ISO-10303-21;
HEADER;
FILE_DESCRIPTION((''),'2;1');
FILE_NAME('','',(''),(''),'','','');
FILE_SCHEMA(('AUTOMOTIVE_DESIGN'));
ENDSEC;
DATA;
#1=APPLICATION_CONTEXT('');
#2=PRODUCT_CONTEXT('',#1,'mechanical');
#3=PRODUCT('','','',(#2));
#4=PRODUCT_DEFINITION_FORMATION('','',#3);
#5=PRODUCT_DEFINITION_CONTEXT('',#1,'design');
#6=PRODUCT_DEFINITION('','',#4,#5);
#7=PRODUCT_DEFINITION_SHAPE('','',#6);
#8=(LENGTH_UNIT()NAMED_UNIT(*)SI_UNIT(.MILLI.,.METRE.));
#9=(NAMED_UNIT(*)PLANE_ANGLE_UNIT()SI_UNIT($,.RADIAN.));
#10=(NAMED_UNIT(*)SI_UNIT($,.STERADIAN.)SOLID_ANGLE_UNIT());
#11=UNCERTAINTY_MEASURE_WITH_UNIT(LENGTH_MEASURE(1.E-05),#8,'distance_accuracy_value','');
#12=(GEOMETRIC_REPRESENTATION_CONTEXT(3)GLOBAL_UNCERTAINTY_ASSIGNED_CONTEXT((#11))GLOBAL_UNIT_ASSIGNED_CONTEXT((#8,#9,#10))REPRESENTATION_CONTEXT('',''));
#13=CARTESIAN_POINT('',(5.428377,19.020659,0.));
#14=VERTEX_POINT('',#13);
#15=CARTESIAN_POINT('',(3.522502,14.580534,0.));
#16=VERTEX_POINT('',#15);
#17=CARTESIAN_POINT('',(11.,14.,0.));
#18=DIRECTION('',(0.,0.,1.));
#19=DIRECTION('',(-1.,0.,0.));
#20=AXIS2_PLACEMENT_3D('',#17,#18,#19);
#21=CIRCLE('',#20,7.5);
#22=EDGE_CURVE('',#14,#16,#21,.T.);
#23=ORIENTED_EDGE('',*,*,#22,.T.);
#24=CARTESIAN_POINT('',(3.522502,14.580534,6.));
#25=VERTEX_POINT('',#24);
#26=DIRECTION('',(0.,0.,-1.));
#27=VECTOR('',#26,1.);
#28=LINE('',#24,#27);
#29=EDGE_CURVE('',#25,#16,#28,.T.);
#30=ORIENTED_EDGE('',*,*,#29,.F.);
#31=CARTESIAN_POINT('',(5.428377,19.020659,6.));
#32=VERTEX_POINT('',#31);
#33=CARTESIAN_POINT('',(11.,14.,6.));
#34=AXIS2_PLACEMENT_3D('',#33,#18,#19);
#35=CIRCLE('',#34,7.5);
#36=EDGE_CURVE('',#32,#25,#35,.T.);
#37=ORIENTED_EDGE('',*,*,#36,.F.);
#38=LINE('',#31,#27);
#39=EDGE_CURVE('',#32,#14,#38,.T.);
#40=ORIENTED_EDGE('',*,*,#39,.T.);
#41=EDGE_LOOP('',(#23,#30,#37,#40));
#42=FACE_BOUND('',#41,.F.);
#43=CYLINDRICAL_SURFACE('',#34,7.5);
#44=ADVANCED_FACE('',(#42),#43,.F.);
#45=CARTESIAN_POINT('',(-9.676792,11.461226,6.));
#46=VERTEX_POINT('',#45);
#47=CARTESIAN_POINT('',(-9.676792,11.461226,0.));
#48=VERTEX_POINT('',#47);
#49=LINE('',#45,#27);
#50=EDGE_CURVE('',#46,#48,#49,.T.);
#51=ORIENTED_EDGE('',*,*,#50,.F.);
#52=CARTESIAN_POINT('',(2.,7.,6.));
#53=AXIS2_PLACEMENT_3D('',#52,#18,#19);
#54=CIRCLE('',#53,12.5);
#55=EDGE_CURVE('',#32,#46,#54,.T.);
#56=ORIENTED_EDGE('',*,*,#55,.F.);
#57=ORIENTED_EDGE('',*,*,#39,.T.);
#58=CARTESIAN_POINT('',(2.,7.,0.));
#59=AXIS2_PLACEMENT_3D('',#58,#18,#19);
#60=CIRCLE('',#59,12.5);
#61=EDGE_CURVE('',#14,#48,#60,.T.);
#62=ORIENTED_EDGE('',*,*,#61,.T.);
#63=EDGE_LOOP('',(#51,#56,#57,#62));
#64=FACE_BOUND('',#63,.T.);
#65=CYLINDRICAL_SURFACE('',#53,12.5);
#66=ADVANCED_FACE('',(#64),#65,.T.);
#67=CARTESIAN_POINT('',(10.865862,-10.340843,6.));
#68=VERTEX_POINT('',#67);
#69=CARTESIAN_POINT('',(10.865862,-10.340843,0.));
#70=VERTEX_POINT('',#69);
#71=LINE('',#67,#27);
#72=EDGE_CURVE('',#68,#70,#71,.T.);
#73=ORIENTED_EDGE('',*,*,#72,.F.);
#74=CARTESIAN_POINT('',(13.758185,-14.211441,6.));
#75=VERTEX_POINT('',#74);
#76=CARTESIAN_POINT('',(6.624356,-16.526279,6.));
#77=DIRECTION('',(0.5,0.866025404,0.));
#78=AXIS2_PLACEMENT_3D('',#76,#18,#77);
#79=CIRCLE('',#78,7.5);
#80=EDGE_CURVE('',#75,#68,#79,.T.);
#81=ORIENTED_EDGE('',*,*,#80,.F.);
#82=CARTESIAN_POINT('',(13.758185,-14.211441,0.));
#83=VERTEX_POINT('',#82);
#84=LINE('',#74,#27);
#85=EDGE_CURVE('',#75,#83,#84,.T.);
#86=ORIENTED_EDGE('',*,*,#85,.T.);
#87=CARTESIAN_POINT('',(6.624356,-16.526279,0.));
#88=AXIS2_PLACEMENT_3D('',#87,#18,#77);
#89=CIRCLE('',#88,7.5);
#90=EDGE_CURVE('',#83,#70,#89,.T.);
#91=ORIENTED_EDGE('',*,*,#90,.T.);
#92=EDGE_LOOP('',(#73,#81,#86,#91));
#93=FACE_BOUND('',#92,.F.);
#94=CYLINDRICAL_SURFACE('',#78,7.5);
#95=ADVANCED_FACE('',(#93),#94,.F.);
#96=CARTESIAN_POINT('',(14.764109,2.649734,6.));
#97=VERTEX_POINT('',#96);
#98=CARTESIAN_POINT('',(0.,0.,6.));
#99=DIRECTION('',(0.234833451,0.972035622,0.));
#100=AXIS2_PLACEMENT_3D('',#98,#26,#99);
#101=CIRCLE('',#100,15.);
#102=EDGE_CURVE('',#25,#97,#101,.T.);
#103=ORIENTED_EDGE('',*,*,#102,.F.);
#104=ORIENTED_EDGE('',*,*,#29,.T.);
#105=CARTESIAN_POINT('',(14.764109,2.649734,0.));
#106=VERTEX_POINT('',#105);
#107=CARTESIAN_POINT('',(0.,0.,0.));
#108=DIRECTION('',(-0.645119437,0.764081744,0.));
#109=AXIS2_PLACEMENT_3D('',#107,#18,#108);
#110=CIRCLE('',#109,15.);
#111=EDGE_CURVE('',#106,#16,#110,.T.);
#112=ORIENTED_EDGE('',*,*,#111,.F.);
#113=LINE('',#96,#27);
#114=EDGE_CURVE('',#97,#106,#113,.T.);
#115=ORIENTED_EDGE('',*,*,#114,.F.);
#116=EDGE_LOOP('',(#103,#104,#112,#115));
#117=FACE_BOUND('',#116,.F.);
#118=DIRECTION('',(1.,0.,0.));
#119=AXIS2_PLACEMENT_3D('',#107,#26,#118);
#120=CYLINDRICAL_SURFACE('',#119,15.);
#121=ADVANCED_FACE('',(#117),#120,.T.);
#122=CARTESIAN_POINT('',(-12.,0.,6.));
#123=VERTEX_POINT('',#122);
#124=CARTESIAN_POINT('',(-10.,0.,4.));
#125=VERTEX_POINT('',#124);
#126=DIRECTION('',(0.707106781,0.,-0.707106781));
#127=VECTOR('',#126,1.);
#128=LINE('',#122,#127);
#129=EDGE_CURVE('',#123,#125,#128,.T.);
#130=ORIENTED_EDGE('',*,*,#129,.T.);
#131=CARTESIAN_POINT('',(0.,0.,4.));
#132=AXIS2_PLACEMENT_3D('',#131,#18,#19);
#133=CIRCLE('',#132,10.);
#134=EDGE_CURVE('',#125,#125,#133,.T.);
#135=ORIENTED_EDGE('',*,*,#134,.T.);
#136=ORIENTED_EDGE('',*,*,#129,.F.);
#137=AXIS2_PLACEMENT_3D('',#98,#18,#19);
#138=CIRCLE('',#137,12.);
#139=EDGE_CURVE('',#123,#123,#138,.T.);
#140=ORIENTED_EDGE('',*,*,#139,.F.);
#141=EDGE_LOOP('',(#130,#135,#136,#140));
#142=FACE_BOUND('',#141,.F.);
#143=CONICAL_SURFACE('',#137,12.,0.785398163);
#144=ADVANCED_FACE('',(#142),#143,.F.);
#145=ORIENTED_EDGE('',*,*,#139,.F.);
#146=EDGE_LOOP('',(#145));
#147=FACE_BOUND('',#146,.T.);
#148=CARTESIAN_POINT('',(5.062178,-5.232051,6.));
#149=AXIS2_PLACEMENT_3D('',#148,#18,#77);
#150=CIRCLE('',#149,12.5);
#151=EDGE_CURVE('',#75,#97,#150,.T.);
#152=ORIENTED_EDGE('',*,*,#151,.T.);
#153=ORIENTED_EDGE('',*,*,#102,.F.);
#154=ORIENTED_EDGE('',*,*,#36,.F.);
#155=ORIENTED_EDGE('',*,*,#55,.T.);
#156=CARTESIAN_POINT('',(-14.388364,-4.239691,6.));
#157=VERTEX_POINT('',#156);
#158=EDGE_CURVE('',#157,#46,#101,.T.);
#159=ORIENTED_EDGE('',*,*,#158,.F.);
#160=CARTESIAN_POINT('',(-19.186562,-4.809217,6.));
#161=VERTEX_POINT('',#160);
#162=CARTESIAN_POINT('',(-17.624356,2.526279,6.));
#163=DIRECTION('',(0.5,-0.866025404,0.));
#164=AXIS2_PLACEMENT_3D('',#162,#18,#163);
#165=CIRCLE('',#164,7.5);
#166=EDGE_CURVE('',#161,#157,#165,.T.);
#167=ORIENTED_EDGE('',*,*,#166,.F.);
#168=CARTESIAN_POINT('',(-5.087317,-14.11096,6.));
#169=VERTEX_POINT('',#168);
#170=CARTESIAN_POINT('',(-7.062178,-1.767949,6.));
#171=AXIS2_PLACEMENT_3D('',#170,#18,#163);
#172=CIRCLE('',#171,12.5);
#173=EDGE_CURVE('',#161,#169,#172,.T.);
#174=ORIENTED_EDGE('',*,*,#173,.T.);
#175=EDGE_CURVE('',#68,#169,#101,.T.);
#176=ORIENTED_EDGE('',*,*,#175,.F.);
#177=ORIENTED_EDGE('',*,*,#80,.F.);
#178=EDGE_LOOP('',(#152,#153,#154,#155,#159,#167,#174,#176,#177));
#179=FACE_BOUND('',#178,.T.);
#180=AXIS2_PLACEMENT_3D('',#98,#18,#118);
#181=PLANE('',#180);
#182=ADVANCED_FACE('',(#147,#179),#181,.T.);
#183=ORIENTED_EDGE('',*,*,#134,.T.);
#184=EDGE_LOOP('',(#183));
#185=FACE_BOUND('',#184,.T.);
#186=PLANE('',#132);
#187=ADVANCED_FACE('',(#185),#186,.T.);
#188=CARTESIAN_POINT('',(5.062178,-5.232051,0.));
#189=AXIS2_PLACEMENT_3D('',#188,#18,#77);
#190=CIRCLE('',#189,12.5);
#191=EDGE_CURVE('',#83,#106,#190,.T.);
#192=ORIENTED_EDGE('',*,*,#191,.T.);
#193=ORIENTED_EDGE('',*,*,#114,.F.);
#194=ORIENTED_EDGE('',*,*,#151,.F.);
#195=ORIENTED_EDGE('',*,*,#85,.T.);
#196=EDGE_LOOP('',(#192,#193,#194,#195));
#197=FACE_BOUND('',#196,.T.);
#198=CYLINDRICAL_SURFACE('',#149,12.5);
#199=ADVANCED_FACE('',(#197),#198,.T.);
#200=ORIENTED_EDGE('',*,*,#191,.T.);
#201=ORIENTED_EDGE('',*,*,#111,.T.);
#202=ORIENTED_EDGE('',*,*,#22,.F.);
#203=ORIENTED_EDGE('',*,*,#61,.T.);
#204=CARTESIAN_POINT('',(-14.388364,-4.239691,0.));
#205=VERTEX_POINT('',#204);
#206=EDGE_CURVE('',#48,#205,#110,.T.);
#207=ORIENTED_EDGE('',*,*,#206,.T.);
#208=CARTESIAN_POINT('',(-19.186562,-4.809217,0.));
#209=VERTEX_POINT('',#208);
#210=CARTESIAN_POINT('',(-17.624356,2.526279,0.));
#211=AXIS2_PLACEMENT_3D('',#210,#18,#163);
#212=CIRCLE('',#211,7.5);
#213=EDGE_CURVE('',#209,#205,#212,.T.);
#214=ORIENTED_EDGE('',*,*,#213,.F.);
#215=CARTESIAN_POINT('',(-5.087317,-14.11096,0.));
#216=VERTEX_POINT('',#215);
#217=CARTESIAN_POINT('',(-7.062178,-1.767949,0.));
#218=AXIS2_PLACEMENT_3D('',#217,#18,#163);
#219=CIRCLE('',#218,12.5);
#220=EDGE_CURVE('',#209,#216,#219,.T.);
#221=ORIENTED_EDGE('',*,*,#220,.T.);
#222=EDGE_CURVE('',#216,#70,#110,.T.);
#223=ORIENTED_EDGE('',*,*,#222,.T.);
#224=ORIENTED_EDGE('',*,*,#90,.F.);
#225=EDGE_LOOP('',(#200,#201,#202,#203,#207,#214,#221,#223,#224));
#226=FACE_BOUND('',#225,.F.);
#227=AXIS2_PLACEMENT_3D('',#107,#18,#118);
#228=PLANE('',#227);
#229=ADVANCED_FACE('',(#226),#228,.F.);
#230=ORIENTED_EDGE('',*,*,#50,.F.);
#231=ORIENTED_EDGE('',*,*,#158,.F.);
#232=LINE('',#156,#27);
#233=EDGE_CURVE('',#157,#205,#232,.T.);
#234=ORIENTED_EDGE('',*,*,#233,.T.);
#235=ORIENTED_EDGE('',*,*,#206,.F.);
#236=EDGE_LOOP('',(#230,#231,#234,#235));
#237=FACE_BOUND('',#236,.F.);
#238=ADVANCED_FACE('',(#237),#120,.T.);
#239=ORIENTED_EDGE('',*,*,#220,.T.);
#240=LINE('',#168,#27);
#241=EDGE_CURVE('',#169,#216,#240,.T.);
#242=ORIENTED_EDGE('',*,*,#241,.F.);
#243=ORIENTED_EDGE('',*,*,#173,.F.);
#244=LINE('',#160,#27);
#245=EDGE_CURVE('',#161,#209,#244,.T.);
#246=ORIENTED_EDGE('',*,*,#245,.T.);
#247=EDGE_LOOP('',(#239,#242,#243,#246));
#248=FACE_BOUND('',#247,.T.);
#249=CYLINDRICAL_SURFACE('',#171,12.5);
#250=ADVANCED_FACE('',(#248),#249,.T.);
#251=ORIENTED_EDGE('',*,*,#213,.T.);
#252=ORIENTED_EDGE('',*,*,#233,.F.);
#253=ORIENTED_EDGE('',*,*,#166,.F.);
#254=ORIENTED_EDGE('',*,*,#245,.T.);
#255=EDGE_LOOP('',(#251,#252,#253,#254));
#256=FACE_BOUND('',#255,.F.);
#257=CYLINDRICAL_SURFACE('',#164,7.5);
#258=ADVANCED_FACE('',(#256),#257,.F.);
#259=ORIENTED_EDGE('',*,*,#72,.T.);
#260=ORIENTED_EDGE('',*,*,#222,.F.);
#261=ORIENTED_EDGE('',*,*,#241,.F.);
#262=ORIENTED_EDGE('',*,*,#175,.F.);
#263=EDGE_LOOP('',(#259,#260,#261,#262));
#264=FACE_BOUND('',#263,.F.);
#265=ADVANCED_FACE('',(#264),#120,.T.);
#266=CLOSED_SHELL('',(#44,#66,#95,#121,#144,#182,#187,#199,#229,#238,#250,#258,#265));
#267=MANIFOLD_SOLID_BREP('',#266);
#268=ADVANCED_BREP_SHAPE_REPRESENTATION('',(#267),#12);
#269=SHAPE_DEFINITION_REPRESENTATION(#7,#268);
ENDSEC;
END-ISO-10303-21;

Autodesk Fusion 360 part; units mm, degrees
sketch "Sketch1" plane through (0, 0, 0) normal (0, 0, 1) x (1, 0, 0)
  circle A0 centre (0, 0) radius 15
  dimension "d1" = 30
extrude "Extrude1" add sketch "Sketch1" along normal blind 6
sketch "Sketch2" plane through (0, 0, 6) normal (0, 0, 1) x (-1, 0, 0)
  circle A0 centre (0, 0) radius 15
  circle A1 centre (-2, -7) radius 12.5
  circle A2 centre (-11, -14) radius 7.5
  dimension "d4" = 25
  dimension "d5" = 15
  dimension "d6" = 7
  dimension "d7" = 2
  dimension "d8" = 14
  dimension "d9" = 11
extrude "Extrude2" add sketch "Sketch2" against normal blind 6 contours A0 A1 A2 picked at (-2.4117, -16.9728)
pattern_circular "C-Pattern1" count 3 over 360 about axis through (0, 0, 6) along (0, 0, 1) of "Extrude2"
sketch "Sketch3" plane through (0, 0, 6) normal (0, 0, 1) x (-1, 0, 0)
  arc A0 (9.6768, -11.4612) -> (14.3884, 4.2397) centre (0, 0) ccw
  arc A1 (19.1866, 4.8092) -> (14.3884, 4.2397) centre (17.6244, -2.5263) ccw
  arc A2 (19.1866, 4.8092) -> (5.0873, 14.111) centre (7.0622, 1.7679) ccw
  arc A3 (5.0873, 14.111) -> (-10.8659, 10.3408) centre (0, 0) ccw
  arc A4 (-13.7582, 14.2114) -> (-10.8659, 10.3408) centre (-6.6244, 16.5263) ccw
  arc A5 (-13.7582, 14.2114) -> (-14.7641, -2.6497) centre (-5.0622, 5.2321) ccw
  arc A6 (-14.7641, -2.6497) -> (-3.5225, -14.5805) centre (0, 0) ccw
  arc A7 (-5.4284, -19.0207) -> (-3.5225, -14.5805) centre (-11, -14) ccw
  arc A8 (-5.4284, -19.0207) -> (9.6768, -11.4612) centre (-2, -7) ccw
  circle A9 centre (0, 0) radius 12
  dimension "d14" = 24
extrude "Extrude3" cut sketch "Sketch3" against normal blind 2 draft -45 contours A9
